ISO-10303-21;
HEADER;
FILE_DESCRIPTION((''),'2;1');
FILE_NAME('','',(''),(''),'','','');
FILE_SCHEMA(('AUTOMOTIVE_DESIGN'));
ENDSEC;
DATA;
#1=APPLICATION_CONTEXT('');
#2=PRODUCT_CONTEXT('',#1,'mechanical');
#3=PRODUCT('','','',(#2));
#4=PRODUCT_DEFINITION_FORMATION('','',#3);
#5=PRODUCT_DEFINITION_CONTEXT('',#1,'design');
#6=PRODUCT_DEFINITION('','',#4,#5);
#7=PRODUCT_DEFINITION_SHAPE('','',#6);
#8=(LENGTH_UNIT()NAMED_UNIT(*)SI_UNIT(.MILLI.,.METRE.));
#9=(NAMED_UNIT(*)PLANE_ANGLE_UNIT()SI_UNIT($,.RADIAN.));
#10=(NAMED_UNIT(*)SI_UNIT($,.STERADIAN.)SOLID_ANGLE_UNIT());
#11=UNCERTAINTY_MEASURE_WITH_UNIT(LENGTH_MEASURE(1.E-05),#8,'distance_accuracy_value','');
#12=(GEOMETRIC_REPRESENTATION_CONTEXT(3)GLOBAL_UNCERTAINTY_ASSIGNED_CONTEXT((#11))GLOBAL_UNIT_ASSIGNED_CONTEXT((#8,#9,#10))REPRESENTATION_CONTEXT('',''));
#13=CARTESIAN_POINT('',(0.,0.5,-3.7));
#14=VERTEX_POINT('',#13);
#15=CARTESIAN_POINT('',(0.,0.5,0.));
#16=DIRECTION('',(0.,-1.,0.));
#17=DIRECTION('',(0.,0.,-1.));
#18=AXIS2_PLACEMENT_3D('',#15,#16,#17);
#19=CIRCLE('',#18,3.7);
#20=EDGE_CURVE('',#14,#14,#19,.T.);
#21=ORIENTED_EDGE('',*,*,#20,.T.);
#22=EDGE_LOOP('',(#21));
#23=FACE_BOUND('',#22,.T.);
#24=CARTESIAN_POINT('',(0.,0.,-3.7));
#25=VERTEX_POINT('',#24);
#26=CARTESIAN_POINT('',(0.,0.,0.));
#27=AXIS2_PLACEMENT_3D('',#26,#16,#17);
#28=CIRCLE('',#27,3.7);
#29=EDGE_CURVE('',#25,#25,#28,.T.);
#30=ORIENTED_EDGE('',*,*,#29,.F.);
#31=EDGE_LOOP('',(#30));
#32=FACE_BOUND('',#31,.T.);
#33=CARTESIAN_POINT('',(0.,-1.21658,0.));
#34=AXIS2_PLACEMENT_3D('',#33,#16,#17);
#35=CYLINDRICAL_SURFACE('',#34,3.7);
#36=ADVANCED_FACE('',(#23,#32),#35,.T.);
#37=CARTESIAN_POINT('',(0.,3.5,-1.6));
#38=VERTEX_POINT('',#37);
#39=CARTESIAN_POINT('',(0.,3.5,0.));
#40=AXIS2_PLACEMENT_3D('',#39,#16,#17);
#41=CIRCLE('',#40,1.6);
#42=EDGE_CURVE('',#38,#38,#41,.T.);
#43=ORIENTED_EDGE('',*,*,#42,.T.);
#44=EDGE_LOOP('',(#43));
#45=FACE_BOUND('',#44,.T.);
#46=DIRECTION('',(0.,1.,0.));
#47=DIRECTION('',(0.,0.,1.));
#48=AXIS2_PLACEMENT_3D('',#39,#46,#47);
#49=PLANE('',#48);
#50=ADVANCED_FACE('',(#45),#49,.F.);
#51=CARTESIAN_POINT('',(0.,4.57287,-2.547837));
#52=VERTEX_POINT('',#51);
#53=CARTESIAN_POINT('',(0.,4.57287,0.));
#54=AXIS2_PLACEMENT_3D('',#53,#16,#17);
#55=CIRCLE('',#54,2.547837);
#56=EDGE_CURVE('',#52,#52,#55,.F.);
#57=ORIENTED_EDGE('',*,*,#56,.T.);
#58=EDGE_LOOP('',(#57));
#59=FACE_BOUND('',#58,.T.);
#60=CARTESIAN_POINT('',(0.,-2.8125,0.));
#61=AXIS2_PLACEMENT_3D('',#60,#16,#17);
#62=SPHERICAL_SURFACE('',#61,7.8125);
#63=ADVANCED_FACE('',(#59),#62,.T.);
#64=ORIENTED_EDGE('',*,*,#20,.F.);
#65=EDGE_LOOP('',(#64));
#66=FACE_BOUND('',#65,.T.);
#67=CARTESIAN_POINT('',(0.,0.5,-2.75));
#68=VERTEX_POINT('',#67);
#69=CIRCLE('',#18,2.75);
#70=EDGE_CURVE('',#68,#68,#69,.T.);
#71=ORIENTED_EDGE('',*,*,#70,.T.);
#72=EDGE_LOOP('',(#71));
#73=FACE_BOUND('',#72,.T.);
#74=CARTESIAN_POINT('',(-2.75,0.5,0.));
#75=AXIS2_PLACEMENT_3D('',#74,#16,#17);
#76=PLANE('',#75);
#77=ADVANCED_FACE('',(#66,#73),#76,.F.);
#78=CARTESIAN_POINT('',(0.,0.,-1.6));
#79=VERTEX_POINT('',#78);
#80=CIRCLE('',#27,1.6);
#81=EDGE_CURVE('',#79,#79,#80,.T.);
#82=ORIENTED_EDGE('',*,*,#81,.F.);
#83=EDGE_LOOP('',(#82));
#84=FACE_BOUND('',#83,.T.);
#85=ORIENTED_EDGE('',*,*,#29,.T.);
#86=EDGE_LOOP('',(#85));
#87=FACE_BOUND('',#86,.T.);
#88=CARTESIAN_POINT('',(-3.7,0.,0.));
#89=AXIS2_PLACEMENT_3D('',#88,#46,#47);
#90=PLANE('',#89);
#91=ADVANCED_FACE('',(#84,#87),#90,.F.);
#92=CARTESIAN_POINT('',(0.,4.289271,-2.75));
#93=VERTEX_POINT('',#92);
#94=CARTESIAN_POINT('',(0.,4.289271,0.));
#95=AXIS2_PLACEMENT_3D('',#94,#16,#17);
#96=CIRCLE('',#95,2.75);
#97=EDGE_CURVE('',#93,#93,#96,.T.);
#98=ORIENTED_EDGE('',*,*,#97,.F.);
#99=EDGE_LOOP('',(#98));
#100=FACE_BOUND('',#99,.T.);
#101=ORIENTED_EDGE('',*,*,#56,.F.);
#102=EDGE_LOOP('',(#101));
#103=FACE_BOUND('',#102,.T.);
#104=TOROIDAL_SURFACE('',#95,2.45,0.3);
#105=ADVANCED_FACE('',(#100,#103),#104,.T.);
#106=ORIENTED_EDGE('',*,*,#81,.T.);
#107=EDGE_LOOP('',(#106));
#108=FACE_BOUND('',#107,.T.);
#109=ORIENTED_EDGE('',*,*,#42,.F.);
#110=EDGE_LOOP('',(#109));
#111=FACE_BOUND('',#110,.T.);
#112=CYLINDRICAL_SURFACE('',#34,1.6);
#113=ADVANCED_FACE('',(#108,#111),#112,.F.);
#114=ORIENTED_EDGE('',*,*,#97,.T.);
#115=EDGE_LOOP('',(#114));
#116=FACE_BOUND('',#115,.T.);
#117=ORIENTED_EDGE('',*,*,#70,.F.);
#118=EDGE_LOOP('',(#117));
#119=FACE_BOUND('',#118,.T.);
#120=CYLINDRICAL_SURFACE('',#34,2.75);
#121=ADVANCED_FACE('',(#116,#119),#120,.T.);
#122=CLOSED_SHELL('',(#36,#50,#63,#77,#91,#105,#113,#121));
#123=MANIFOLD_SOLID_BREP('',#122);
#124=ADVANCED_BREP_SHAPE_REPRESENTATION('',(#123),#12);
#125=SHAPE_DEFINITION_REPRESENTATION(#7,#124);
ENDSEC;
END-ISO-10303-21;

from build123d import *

# Parameters (mm, degrees)
DOME_2_FACE_RADIUS = 2.75
DOME_2_HEIGHT      = 0.5
FILLET_1_R         = 0.3


with BuildPart() as part:
    # 草图1 → 旋转2 (revolve)
    with BuildSketch(Plane.XY, mode=Mode.PRIVATE) as revolve_2_sk:
        Polygon((-3.7, 0), (-1.6, 0), (-1.6, 3.5), (0, 3.5), (0, 4.5), (-2.75, 4.5), (-2.75, 0.5), (-3.7, 0.5), align=None)
    revolve(revolve_2_sk.sketch.rotate(Axis((0, -1.216580074, 0), (0, 1, 0)), 270), axis=Axis((0, -1.216580074, 0), (0, 1, 0)))

    # 圆顶2: a dome of height H over a round flat face of radius A is a cap of a sphere of radius (A * A + H * H) / (2 * H)
    dome_2_r = (DOME_2_FACE_RADIUS * DOME_2_FACE_RADIUS + DOME_2_HEIGHT * DOME_2_HEIGHT) / (2 * DOME_2_HEIGHT)
    dome_2_base = Plane((0, 4.5, 0), z_dir=(0, 1, 0))
    with Locations(dome_2_base.offset(DOME_2_HEIGHT - dome_2_r)):
        dome_2_ball = Sphere(dome_2_r, mode=Mode.PRIVATE)
    add(split(dome_2_ball, bisect_by=dome_2_base, keep=Keep.TOP, mode=Mode.PRIVATE))

    # 圆角1
    fillet_1_edges = [part.edges().sort_by_distance(p)[0] for p in [
        (2.75, 4.5, 0),
    ]]
    fillet(fillet_1_edges, radius=FILLET_1_R)


solid = part.part
